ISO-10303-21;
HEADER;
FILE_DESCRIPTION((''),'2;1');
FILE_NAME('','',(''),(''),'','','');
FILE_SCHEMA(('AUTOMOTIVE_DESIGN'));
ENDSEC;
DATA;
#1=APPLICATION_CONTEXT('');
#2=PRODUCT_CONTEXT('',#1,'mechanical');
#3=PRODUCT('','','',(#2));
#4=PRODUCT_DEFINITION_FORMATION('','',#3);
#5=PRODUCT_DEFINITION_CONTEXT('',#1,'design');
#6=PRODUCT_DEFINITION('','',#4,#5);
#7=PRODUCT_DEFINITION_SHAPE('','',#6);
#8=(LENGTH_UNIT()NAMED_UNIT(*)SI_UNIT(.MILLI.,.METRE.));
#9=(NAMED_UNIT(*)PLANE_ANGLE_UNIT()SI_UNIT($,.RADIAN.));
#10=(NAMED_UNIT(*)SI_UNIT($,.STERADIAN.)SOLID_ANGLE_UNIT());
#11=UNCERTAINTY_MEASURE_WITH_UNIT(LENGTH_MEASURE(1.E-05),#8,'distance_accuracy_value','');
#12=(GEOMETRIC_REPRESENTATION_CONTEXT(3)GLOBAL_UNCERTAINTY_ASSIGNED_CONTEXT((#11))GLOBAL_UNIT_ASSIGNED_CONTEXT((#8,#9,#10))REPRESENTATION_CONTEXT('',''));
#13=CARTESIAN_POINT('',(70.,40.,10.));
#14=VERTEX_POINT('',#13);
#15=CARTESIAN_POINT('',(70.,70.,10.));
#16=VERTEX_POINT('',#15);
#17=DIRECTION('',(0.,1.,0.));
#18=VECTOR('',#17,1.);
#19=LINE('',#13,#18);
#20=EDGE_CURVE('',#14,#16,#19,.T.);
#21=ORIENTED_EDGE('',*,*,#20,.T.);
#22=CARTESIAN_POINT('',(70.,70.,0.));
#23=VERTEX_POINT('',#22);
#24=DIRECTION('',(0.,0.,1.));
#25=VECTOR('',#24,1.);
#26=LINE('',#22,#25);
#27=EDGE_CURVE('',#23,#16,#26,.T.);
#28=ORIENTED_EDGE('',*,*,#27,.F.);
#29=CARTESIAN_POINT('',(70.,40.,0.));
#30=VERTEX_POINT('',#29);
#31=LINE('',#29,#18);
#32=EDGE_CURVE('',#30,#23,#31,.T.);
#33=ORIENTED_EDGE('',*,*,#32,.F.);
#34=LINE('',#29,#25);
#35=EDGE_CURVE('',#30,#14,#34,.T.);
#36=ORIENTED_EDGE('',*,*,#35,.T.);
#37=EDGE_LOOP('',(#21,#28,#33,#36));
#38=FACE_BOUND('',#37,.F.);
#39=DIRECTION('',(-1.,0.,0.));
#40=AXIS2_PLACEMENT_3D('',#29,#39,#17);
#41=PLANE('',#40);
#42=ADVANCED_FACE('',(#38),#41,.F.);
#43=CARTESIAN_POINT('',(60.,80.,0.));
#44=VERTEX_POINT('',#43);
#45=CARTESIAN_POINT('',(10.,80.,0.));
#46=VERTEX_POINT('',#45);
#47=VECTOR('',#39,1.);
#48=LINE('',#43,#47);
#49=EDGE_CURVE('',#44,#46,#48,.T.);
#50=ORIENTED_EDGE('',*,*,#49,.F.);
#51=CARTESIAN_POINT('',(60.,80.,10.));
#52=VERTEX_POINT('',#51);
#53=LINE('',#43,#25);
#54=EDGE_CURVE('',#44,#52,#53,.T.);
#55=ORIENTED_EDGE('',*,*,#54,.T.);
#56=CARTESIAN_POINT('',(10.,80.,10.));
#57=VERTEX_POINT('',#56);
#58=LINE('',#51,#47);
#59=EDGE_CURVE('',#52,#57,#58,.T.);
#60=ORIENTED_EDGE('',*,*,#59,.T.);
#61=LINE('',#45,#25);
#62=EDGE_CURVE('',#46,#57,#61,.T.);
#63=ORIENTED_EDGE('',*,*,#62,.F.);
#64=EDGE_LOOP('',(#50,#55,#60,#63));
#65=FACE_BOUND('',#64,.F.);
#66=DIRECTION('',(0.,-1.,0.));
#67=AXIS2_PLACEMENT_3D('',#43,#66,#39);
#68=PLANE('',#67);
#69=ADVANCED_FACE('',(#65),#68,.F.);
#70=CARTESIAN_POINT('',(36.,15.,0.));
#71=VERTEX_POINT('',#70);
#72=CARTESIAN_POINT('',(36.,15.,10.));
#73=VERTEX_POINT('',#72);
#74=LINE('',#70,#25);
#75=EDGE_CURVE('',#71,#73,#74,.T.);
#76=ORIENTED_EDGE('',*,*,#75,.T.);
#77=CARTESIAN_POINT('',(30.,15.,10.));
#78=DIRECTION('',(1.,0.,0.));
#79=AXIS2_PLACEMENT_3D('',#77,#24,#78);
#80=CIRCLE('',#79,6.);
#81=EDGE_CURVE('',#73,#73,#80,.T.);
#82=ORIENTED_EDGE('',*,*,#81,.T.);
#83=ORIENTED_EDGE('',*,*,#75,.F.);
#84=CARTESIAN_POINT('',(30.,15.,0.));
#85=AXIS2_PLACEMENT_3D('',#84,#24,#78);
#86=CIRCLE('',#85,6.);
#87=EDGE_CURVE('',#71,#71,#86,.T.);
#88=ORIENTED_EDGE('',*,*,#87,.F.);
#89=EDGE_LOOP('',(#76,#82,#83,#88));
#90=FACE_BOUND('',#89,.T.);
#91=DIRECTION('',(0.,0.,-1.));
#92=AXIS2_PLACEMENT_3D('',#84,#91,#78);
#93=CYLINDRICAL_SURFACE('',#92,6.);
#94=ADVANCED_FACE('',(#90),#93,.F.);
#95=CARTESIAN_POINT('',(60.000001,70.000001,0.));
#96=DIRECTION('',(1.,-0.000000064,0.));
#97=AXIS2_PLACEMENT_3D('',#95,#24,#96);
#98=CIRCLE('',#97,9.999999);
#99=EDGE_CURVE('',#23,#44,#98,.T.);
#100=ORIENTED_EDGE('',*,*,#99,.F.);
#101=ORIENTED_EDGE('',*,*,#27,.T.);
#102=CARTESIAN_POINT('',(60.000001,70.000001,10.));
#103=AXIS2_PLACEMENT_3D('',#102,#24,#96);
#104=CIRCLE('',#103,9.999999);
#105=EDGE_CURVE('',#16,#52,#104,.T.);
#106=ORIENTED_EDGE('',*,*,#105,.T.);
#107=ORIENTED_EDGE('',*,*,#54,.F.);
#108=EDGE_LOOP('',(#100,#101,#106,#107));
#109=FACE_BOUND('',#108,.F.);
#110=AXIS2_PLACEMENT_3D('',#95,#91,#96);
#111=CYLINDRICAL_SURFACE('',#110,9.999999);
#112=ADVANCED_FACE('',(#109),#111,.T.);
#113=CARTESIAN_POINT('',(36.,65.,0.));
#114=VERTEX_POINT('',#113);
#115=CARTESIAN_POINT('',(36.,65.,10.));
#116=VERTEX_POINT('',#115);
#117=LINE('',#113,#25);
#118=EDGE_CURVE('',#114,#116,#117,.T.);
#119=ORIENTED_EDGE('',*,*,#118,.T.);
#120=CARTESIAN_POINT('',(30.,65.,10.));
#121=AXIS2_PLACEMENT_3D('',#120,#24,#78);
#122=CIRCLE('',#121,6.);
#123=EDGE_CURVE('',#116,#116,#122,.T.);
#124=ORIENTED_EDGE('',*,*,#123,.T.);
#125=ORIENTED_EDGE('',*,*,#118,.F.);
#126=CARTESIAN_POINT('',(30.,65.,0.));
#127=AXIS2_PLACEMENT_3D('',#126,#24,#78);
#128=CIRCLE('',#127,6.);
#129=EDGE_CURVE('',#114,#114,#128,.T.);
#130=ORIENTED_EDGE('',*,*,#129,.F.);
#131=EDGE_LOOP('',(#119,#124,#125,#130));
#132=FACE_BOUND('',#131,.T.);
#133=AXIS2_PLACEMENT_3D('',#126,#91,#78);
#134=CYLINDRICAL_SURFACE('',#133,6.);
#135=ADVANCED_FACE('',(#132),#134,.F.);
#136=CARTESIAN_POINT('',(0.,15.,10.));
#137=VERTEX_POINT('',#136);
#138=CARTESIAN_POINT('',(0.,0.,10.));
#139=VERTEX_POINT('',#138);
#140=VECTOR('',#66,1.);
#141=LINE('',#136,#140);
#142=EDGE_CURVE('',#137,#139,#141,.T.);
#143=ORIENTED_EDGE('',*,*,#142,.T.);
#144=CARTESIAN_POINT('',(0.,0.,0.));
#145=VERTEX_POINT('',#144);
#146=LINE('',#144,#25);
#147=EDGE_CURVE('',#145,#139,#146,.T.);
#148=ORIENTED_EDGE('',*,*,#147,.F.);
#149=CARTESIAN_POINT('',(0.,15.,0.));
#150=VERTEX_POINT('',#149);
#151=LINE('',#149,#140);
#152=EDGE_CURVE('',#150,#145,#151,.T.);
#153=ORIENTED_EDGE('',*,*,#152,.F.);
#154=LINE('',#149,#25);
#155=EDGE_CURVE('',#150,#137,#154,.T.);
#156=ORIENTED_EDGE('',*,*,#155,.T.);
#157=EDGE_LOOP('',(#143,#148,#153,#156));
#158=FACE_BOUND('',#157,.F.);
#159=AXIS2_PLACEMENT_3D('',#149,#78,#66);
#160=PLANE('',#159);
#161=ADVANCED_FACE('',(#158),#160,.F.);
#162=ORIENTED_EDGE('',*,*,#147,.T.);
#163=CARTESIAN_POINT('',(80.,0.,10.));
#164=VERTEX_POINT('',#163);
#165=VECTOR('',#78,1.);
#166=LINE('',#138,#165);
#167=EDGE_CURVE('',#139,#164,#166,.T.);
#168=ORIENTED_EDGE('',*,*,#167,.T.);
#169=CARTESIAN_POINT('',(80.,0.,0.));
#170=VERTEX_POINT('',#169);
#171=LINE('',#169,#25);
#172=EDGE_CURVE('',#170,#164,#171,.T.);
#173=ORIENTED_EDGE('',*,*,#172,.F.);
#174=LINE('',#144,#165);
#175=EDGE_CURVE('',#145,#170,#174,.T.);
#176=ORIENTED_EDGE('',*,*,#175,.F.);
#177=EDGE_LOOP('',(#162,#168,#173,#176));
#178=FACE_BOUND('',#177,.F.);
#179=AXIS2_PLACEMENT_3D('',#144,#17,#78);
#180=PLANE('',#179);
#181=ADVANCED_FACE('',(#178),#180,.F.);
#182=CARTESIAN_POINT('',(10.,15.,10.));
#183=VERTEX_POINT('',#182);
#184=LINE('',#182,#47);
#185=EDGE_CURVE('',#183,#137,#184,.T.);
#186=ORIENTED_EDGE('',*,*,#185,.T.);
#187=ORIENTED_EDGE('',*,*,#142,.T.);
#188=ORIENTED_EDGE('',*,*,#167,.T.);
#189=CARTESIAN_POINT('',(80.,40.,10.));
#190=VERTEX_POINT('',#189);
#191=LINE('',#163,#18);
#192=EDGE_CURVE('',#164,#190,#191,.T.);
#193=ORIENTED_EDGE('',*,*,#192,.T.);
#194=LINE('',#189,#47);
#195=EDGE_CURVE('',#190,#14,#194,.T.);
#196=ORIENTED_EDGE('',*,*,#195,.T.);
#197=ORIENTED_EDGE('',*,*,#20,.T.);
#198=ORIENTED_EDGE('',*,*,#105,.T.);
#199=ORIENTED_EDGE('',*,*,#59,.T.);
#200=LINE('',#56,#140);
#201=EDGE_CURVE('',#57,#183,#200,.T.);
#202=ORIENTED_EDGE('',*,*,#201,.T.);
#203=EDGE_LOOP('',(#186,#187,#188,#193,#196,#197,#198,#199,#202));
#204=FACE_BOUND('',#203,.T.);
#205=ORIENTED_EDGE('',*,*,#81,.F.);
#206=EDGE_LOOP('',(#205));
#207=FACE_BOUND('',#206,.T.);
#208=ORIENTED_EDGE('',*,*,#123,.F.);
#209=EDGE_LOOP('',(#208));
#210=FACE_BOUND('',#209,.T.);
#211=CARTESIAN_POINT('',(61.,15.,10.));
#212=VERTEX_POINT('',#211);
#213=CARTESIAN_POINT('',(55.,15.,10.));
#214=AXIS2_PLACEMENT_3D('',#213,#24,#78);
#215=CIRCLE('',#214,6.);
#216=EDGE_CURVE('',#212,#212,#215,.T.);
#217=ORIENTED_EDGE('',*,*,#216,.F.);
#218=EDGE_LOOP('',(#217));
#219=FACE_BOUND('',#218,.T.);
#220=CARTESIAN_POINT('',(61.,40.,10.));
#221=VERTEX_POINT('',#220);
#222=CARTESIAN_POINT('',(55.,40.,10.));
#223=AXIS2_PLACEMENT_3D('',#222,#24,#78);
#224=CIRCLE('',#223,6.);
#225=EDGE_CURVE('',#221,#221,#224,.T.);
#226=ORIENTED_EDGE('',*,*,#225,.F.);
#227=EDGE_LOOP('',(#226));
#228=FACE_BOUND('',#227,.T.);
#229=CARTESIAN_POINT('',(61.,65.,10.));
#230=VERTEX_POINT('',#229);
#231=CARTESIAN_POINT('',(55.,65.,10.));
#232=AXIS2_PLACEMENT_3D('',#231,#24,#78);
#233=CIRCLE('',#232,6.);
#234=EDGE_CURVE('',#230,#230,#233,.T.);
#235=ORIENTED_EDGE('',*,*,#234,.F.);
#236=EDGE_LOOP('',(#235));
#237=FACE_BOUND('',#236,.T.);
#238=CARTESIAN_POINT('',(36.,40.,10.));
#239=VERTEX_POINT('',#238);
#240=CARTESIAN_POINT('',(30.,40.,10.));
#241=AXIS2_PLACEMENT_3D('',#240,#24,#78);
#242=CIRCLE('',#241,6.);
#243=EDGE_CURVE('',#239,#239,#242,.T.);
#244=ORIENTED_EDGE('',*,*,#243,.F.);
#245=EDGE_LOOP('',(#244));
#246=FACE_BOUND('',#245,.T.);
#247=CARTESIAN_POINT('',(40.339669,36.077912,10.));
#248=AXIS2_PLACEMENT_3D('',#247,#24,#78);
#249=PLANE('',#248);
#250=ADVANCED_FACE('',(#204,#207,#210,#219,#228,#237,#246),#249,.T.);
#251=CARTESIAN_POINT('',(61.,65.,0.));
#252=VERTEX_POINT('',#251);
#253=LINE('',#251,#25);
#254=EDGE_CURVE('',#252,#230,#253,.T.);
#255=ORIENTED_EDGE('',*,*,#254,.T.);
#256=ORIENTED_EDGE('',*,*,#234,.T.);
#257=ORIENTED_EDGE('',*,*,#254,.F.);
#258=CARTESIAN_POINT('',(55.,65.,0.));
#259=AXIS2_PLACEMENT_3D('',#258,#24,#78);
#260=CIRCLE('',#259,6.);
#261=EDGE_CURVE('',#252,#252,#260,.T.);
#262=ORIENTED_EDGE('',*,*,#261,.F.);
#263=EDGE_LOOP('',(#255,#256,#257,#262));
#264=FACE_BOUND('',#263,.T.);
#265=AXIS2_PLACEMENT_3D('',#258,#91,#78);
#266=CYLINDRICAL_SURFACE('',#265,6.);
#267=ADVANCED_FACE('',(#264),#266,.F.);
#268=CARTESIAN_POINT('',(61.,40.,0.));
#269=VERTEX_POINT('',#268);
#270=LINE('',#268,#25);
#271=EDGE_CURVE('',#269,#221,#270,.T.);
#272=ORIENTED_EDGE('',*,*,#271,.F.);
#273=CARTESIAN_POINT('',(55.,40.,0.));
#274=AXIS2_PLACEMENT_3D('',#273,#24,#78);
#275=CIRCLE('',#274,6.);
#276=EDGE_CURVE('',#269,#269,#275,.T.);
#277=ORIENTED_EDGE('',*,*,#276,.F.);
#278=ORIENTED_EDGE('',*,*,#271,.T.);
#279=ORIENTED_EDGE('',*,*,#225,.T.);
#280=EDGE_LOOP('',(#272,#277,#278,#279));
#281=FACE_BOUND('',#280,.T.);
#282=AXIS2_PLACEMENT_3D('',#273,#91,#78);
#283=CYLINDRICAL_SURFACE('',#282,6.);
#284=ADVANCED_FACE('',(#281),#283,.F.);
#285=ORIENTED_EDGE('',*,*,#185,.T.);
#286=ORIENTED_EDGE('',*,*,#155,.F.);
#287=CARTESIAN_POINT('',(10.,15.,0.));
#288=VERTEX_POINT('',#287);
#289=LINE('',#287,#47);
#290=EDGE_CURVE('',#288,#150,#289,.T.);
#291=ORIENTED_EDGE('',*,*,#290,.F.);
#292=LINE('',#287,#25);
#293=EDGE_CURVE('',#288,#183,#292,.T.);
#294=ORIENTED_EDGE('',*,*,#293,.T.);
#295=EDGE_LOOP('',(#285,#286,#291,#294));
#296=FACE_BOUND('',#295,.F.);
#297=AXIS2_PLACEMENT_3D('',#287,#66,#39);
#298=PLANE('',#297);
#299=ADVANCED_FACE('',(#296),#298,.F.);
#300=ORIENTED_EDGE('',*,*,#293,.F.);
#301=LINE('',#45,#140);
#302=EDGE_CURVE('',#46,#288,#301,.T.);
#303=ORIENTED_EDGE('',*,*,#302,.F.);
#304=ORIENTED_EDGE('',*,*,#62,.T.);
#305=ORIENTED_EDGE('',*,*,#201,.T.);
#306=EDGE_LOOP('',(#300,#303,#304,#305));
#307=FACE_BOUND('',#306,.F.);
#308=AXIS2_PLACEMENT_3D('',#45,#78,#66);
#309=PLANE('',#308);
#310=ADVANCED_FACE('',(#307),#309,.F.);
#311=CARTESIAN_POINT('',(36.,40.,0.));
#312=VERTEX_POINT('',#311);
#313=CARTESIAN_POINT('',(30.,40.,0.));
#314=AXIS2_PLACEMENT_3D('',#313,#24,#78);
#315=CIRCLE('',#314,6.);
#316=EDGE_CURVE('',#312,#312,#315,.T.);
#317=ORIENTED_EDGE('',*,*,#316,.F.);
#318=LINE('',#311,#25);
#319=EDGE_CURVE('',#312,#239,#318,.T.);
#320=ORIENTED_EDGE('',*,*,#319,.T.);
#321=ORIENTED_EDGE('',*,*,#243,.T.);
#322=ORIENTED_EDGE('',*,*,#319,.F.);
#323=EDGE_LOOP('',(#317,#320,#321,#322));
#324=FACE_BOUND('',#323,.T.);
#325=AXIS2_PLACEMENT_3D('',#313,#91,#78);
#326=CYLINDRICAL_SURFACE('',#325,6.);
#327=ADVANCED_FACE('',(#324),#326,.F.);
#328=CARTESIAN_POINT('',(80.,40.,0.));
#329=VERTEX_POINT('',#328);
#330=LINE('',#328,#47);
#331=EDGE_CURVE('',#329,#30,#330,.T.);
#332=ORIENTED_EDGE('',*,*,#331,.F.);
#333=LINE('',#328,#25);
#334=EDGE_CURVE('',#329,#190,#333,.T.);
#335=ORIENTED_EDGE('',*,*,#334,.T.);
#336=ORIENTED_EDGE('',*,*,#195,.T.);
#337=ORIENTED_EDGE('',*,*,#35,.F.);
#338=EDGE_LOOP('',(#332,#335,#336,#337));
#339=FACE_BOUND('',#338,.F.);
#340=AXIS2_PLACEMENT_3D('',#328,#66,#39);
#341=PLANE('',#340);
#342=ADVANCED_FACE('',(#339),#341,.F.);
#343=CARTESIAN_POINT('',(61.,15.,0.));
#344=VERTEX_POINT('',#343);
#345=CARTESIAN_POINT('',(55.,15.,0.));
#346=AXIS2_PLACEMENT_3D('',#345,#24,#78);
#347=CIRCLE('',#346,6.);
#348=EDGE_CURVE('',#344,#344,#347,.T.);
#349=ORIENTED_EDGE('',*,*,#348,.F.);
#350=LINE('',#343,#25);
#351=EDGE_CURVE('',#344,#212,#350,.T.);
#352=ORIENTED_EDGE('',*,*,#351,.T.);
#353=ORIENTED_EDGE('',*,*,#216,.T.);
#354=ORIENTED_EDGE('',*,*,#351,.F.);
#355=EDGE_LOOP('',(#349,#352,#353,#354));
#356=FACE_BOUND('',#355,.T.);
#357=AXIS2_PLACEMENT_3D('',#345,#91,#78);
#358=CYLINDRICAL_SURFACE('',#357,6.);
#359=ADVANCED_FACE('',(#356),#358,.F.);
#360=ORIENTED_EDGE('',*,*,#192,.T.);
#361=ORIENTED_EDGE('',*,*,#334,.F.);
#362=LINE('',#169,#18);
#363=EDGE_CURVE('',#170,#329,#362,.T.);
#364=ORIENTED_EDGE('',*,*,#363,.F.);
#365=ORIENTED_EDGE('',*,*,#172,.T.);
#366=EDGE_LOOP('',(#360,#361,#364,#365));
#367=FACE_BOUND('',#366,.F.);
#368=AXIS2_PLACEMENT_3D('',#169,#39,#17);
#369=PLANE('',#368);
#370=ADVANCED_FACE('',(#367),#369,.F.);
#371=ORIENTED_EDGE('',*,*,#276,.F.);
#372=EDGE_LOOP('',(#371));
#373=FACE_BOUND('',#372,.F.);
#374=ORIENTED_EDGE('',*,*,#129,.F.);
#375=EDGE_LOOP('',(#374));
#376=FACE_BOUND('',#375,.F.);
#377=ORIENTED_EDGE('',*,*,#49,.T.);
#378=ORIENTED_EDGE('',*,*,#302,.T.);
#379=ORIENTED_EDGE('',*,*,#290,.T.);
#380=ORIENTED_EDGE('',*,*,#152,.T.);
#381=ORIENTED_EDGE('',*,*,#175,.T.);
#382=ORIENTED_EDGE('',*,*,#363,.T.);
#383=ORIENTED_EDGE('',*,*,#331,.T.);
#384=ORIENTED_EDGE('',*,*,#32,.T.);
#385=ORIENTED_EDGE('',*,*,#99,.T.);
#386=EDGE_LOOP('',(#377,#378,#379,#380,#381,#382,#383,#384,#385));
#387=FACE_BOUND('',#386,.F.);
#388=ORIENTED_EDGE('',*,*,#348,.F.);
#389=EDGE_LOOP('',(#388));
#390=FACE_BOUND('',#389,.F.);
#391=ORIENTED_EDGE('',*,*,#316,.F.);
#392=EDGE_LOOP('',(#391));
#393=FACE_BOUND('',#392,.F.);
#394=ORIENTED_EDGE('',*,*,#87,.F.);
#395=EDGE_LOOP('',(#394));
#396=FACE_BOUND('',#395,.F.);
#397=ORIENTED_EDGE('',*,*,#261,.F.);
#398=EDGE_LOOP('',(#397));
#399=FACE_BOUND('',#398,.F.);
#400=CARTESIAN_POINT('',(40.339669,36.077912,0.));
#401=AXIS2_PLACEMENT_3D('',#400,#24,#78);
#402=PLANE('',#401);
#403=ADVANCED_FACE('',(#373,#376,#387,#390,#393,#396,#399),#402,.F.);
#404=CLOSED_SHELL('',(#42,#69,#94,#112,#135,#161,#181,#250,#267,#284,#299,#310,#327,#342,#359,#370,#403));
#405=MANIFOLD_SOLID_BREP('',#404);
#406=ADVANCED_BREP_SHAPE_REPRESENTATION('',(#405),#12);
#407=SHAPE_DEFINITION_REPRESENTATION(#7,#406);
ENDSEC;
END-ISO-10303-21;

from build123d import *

# Parameters (mm, degrees)
F0_R     = 6
F1_DEPTH = 10


with BuildPart() as f1:
    # F0 (on Top) → F1 (new body)
    with BuildSketch(Plane.XY):
        with BuildLine():
            Line((0, 15), (0, 0))
            Line((0, 0), (80, 0))
            Line((80, 0), (80, 40))
            Line((80, 40), (70, 40))
            Line((70, 40), (70, 70))
            ThreePointArc((70, 70), (67.071068, 77.071068), (60, 80))
            Line((60, 80), (10, 80))
            Line((10, 80), (10, 15))
            Line((10, 15), (0, 15))
        make_face()
        with Locations((30, 15)):
            Circle(F0_R, mode=Mode.SUBTRACT)
        with Locations((55, 15)):
            Circle(F0_R, mode=Mode.SUBTRACT)
        with Locations((30, 40)):
            Circle(F0_R, mode=Mode.SUBTRACT)
        with Locations((30, 65)):
            Circle(F0_R, mode=Mode.SUBTRACT)
        with Locations((55, 40)):
            Circle(F0_R, mode=Mode.SUBTRACT)
        with Locations((55, 65)):
            Circle(F0_R, mode=Mode.SUBTRACT)
    extrude(amount=F1_DEPTH)


solid = f1.part
